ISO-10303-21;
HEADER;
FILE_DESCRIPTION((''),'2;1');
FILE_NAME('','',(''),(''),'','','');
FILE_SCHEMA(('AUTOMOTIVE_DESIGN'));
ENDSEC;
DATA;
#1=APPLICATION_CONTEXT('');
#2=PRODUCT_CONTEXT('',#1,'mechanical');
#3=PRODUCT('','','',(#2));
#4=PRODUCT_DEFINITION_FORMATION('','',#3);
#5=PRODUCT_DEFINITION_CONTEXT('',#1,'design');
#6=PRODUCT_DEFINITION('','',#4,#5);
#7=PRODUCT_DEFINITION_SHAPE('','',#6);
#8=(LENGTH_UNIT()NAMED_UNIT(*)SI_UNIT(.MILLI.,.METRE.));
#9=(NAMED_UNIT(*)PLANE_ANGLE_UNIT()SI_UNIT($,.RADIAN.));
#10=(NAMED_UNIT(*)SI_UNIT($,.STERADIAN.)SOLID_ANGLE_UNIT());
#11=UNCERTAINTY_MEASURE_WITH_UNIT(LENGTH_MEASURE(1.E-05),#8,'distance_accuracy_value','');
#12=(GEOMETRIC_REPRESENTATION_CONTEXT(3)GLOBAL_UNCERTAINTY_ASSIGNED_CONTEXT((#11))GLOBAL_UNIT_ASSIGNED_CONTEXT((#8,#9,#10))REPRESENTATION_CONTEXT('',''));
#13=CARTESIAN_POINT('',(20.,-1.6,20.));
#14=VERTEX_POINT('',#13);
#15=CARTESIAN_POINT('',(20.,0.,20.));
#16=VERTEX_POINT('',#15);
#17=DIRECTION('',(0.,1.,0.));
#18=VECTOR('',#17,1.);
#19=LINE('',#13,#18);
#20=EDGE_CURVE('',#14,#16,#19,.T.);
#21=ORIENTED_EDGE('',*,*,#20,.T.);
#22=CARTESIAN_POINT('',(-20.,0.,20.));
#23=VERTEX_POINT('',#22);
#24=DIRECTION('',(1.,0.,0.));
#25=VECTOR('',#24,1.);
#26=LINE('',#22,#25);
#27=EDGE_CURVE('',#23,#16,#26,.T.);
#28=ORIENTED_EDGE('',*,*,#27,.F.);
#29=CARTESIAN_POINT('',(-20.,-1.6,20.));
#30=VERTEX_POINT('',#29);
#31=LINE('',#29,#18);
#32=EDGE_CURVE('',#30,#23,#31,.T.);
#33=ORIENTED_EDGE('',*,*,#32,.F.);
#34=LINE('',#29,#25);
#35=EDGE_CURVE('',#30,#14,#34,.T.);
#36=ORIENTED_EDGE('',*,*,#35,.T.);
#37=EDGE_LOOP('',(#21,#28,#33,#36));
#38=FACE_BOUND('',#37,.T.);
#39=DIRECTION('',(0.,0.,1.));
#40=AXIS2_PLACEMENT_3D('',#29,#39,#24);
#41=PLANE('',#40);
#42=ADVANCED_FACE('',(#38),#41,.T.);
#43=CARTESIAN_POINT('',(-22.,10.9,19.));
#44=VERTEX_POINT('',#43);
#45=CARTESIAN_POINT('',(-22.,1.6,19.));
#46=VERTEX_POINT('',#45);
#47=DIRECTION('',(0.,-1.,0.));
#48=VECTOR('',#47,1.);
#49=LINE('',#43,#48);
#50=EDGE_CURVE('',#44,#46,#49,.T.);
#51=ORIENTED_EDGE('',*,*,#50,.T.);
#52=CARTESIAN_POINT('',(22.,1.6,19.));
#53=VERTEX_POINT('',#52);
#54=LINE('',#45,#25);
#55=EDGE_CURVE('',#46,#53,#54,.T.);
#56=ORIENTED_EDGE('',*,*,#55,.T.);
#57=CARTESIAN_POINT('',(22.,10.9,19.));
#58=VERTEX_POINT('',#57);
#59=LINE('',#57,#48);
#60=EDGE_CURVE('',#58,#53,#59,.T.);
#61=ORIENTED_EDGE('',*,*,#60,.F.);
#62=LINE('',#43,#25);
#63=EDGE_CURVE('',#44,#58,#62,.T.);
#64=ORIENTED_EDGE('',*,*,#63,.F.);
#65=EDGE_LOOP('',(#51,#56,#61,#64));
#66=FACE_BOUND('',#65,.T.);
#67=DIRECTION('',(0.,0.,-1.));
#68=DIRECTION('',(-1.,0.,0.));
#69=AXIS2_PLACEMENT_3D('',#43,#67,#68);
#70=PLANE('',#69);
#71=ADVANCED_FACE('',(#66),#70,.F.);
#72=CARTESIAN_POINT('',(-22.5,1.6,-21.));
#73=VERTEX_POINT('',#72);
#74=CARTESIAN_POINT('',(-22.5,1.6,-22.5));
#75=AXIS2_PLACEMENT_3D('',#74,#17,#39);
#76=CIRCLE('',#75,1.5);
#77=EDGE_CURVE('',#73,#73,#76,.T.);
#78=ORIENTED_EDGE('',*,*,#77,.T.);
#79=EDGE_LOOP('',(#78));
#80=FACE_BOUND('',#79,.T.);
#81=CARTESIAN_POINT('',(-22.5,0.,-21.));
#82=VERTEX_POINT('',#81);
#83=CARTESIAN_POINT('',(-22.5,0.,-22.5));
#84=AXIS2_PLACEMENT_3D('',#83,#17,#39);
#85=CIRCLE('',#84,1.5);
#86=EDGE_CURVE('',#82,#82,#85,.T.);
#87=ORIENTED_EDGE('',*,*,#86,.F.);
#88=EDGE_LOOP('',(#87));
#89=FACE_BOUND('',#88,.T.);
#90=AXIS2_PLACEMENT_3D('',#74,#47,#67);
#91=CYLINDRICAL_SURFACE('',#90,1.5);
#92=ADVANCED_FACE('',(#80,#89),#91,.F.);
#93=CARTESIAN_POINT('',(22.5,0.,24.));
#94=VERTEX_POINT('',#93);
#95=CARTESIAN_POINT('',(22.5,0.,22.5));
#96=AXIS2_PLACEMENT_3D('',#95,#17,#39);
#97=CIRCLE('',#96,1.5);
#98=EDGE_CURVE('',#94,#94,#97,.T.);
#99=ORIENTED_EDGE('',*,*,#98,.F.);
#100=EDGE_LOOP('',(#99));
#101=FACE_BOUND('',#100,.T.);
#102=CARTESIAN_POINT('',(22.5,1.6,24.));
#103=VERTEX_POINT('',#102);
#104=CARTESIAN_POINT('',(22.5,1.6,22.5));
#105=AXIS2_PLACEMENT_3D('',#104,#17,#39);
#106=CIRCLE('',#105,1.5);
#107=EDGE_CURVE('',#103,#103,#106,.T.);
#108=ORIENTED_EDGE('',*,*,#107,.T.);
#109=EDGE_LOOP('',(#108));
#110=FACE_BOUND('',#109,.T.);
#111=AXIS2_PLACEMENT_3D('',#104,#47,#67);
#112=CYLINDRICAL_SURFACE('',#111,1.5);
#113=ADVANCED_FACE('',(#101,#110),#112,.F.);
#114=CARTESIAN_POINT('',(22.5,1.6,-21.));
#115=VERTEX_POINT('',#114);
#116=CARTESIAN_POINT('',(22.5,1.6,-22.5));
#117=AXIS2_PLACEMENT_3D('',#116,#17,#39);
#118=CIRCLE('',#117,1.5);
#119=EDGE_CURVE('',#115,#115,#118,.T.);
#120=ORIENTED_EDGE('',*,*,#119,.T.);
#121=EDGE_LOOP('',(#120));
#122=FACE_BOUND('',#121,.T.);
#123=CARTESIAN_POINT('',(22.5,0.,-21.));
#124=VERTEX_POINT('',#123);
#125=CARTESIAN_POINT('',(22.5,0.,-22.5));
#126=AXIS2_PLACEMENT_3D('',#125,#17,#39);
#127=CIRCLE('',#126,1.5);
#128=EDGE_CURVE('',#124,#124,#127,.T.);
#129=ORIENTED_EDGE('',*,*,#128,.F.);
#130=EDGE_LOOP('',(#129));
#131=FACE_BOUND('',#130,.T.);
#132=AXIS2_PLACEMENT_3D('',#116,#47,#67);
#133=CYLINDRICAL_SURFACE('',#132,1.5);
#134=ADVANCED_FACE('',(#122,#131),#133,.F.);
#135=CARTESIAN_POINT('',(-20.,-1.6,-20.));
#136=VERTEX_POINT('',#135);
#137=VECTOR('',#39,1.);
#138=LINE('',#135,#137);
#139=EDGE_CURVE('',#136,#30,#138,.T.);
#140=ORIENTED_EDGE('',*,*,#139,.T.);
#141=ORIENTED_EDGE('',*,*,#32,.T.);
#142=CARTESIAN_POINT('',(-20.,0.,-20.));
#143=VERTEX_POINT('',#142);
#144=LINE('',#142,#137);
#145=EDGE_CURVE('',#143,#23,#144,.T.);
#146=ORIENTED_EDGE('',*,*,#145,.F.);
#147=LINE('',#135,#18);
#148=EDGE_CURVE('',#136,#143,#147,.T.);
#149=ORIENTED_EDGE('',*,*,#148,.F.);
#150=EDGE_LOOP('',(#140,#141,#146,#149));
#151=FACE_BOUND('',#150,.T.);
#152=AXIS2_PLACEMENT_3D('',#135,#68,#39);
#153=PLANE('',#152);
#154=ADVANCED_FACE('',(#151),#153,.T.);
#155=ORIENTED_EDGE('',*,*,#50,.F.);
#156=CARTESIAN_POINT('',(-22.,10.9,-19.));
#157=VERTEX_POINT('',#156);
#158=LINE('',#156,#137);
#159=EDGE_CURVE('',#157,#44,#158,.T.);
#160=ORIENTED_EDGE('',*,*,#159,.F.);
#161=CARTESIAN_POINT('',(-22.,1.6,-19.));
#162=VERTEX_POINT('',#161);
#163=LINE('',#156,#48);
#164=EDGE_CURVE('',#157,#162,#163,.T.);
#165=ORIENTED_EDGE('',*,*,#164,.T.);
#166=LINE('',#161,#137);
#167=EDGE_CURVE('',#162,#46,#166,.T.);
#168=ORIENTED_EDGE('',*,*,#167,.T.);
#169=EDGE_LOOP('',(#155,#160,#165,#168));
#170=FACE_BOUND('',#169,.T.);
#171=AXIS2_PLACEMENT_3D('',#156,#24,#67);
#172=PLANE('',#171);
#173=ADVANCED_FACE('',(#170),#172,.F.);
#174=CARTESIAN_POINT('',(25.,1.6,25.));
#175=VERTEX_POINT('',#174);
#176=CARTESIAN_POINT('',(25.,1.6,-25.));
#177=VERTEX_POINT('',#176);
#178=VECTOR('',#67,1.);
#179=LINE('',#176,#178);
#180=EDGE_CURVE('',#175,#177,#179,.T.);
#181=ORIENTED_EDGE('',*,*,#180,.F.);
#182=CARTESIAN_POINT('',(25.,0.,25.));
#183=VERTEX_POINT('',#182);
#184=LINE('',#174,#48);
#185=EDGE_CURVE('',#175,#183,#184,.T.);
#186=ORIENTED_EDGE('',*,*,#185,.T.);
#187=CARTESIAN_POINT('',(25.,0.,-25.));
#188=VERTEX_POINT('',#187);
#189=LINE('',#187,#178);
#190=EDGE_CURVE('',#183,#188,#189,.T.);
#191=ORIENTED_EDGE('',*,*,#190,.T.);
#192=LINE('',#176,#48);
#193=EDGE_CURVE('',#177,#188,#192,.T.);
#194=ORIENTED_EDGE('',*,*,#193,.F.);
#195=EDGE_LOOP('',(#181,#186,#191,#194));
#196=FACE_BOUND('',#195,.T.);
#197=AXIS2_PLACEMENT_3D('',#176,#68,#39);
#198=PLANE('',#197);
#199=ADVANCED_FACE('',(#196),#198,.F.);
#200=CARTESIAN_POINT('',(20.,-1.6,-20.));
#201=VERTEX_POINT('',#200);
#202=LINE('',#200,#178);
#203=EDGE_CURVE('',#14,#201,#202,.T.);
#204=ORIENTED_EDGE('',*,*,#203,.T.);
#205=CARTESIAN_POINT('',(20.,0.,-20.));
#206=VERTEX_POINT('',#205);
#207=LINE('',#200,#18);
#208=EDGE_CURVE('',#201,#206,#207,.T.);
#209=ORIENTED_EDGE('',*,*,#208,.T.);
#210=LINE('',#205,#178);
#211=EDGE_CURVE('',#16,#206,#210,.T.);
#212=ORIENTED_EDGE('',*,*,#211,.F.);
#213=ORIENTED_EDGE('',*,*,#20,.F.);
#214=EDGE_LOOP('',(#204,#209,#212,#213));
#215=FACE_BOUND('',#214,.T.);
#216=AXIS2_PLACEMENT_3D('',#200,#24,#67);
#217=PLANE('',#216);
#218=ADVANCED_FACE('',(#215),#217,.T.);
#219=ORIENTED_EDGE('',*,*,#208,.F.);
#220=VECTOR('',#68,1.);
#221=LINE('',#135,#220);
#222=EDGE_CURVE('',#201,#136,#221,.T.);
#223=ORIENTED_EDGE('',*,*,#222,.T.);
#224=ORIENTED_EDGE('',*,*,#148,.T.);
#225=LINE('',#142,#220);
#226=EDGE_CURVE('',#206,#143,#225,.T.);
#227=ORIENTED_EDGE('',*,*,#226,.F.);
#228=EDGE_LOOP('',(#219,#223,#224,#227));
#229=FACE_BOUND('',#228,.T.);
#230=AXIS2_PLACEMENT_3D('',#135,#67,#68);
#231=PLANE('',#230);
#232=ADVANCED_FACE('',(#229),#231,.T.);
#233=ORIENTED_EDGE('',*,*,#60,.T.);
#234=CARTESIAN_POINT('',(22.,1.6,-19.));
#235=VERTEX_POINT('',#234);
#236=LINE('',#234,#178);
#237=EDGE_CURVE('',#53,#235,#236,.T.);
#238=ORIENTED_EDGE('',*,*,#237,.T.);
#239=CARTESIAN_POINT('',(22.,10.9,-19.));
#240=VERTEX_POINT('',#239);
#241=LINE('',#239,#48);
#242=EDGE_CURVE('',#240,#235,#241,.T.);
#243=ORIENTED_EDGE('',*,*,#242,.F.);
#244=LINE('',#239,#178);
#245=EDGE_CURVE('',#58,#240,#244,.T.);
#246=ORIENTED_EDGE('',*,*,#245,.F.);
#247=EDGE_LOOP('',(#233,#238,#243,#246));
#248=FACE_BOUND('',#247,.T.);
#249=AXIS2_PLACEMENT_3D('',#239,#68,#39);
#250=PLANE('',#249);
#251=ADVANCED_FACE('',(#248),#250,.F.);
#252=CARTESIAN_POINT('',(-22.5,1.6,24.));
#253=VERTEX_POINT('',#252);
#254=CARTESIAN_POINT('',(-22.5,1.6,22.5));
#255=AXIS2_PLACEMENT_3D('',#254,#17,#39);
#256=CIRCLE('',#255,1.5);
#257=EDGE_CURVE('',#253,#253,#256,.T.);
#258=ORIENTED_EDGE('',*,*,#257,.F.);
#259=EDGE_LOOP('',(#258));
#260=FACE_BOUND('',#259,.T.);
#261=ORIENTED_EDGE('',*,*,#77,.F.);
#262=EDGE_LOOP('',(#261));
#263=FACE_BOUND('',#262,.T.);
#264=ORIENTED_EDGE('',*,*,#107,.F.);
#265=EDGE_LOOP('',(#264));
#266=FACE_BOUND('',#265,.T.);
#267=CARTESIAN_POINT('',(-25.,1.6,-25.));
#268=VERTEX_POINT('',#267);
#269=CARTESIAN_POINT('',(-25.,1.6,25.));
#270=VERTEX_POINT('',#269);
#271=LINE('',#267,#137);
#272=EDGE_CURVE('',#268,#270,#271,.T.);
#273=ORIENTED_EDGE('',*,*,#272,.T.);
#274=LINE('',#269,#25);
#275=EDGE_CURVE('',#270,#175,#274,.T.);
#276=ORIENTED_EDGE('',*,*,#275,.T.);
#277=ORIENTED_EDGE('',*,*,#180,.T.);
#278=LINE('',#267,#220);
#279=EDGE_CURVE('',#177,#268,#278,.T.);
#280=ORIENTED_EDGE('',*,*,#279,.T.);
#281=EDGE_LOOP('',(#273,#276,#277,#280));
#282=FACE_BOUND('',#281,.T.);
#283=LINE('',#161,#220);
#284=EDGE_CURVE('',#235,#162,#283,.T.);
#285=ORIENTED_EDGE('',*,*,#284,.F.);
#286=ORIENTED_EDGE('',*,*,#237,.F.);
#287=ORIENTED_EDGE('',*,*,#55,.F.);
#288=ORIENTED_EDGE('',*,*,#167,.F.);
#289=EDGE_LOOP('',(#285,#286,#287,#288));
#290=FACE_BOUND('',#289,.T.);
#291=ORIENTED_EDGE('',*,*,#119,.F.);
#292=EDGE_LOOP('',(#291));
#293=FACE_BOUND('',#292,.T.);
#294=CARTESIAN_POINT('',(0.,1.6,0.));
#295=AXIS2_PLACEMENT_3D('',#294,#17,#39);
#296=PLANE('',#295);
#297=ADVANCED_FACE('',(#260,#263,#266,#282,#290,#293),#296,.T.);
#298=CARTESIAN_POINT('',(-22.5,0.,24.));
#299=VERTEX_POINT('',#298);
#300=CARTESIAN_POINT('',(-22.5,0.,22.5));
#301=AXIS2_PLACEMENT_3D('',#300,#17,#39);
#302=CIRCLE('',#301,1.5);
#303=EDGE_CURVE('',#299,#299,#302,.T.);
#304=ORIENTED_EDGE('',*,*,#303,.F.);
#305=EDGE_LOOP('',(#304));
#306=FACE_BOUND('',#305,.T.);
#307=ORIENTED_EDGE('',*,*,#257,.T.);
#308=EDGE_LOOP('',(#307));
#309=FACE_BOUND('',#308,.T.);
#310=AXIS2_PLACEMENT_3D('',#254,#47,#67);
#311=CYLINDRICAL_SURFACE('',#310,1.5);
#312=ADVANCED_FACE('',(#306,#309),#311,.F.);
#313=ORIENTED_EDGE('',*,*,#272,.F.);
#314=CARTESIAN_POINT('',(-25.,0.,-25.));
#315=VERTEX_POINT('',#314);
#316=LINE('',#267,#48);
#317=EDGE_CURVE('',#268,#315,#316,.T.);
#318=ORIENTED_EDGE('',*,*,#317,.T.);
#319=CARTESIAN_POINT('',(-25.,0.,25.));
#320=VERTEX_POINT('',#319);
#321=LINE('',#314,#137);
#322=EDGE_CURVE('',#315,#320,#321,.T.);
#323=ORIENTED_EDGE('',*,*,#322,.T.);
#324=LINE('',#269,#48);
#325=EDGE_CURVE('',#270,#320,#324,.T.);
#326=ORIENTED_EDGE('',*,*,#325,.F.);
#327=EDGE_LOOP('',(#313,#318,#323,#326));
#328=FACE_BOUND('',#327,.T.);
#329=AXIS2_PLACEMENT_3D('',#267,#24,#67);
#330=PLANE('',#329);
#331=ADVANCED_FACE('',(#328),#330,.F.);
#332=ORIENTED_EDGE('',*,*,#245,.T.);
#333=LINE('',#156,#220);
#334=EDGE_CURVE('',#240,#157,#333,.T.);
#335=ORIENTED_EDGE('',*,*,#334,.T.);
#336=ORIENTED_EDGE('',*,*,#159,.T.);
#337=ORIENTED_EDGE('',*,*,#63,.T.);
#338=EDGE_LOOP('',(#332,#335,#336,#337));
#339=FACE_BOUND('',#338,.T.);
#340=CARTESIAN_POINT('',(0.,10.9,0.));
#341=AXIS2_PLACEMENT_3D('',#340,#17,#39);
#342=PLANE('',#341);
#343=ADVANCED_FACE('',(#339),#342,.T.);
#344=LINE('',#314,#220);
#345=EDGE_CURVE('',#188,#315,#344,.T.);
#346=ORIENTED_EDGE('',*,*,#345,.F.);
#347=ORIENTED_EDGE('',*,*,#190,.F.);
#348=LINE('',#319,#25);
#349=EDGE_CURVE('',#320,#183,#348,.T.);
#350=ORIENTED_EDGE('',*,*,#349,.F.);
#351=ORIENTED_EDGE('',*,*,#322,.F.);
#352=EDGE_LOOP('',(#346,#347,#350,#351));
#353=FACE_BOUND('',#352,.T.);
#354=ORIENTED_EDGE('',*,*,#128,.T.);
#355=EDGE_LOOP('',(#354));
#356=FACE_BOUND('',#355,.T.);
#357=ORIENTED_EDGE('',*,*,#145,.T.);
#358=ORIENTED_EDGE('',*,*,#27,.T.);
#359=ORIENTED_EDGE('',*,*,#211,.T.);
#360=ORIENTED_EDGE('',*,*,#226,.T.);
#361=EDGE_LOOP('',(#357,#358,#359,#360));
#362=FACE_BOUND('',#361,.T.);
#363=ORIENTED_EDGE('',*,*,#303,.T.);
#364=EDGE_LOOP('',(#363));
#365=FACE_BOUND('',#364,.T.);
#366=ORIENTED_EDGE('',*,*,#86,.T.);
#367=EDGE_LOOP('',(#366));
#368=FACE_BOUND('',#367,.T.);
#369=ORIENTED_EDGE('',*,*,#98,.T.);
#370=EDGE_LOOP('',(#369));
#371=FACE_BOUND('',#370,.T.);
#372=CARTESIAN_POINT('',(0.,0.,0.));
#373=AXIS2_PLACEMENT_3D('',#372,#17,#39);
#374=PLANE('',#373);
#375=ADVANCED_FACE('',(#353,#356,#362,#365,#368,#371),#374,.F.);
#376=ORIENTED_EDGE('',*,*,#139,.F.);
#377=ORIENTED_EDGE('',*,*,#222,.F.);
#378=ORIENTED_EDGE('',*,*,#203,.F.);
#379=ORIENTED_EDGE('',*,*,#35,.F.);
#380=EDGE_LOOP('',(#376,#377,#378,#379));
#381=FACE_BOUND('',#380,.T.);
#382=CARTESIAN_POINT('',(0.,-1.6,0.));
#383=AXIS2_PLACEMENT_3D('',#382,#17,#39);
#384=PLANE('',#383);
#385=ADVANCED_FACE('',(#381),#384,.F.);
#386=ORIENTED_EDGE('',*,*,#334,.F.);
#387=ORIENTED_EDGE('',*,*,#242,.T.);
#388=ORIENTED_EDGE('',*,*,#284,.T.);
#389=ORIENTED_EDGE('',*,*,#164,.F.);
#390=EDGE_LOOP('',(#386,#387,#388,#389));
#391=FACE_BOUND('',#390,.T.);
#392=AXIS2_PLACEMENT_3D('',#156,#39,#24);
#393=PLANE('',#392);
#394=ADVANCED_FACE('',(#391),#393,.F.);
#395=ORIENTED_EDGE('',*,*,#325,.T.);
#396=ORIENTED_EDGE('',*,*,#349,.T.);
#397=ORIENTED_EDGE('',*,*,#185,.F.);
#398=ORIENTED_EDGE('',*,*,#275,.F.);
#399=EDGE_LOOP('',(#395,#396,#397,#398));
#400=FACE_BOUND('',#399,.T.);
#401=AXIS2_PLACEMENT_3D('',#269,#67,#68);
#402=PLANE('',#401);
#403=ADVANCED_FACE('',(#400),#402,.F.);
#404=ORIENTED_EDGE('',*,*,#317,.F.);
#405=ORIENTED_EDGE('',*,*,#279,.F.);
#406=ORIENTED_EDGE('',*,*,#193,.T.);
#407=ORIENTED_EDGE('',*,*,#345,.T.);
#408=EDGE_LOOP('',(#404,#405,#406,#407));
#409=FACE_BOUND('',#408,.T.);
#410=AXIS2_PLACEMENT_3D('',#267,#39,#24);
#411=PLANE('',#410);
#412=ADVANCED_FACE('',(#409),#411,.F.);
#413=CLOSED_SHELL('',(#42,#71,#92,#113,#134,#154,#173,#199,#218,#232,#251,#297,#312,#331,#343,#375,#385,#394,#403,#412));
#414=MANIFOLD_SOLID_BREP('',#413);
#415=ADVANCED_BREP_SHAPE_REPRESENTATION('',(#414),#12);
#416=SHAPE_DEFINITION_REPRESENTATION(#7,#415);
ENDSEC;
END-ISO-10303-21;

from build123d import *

# Parameters (mm, degrees)
SK_BOARD_W              = 50
SK_BOARD_H              = 50
EX_BOARD_DEPTH          = 1.6
SK_MOUNTHOLES_4X_R      = 1.5
CUT_MOUNTHOLES_4X_DEPTH = 1.6
SK_COMPONENTS_W         = 44
SK_COMPONENTS_H         = 38
EX_COMPONENTS_DEPTH     = 9.3
SK_PINS_W               = 40
SK_PINS_H               = 40
EX_PINS_DEPTH           = 1.6


with BuildPart() as part:
    # SK_Board → EX_Board (new body)
    with BuildSketch(Plane(origin=(0, 0, 0), x_dir=(1, 0, 0), z_dir=(0, 1, 0))):
        Rectangle(SK_BOARD_W, SK_BOARD_H)
    extrude(amount=EX_BOARD_DEPTH)

    # SK_MountHoles_4x → CUT_MountHoles_4x (cut)
    with BuildSketch(Plane(origin=(0, 0, 0), x_dir=(1, 0, 0), z_dir=(0, 1, 0))):
        with Locations((22.5, -22.5)):
            Circle(SK_MOUNTHOLES_4X_R)
        with Locations((-22.5, -22.5)):
            Circle(SK_MOUNTHOLES_4X_R)
        with Locations((22.5, 22.5)):
            Circle(SK_MOUNTHOLES_4X_R)
        with Locations((-22.5, 22.5)):
            Circle(SK_MOUNTHOLES_4X_R)
    extrude(amount=CUT_MOUNTHOLES_4X_DEPTH, mode=Mode.SUBTRACT)

    # SK_Components → EX_Components (add)
    with BuildSketch(Plane(origin=(0, 1.6, 0), x_dir=(1, 0, 0), z_dir=(0, 1, 0))):
        Rectangle(SK_COMPONENTS_W, SK_COMPONENTS_H)
    extrude(amount=EX_COMPONENTS_DEPTH)

    # SK_Pins → EX_Pins (add)
    with BuildSketch(Plane(origin=(0, 0, 0), x_dir=(1, 0, 0), z_dir=(0, 1, 0))):
        Rectangle(SK_PINS_W, SK_PINS_H)
    extrude(amount=-EX_PINS_DEPTH)


solid = part.part
